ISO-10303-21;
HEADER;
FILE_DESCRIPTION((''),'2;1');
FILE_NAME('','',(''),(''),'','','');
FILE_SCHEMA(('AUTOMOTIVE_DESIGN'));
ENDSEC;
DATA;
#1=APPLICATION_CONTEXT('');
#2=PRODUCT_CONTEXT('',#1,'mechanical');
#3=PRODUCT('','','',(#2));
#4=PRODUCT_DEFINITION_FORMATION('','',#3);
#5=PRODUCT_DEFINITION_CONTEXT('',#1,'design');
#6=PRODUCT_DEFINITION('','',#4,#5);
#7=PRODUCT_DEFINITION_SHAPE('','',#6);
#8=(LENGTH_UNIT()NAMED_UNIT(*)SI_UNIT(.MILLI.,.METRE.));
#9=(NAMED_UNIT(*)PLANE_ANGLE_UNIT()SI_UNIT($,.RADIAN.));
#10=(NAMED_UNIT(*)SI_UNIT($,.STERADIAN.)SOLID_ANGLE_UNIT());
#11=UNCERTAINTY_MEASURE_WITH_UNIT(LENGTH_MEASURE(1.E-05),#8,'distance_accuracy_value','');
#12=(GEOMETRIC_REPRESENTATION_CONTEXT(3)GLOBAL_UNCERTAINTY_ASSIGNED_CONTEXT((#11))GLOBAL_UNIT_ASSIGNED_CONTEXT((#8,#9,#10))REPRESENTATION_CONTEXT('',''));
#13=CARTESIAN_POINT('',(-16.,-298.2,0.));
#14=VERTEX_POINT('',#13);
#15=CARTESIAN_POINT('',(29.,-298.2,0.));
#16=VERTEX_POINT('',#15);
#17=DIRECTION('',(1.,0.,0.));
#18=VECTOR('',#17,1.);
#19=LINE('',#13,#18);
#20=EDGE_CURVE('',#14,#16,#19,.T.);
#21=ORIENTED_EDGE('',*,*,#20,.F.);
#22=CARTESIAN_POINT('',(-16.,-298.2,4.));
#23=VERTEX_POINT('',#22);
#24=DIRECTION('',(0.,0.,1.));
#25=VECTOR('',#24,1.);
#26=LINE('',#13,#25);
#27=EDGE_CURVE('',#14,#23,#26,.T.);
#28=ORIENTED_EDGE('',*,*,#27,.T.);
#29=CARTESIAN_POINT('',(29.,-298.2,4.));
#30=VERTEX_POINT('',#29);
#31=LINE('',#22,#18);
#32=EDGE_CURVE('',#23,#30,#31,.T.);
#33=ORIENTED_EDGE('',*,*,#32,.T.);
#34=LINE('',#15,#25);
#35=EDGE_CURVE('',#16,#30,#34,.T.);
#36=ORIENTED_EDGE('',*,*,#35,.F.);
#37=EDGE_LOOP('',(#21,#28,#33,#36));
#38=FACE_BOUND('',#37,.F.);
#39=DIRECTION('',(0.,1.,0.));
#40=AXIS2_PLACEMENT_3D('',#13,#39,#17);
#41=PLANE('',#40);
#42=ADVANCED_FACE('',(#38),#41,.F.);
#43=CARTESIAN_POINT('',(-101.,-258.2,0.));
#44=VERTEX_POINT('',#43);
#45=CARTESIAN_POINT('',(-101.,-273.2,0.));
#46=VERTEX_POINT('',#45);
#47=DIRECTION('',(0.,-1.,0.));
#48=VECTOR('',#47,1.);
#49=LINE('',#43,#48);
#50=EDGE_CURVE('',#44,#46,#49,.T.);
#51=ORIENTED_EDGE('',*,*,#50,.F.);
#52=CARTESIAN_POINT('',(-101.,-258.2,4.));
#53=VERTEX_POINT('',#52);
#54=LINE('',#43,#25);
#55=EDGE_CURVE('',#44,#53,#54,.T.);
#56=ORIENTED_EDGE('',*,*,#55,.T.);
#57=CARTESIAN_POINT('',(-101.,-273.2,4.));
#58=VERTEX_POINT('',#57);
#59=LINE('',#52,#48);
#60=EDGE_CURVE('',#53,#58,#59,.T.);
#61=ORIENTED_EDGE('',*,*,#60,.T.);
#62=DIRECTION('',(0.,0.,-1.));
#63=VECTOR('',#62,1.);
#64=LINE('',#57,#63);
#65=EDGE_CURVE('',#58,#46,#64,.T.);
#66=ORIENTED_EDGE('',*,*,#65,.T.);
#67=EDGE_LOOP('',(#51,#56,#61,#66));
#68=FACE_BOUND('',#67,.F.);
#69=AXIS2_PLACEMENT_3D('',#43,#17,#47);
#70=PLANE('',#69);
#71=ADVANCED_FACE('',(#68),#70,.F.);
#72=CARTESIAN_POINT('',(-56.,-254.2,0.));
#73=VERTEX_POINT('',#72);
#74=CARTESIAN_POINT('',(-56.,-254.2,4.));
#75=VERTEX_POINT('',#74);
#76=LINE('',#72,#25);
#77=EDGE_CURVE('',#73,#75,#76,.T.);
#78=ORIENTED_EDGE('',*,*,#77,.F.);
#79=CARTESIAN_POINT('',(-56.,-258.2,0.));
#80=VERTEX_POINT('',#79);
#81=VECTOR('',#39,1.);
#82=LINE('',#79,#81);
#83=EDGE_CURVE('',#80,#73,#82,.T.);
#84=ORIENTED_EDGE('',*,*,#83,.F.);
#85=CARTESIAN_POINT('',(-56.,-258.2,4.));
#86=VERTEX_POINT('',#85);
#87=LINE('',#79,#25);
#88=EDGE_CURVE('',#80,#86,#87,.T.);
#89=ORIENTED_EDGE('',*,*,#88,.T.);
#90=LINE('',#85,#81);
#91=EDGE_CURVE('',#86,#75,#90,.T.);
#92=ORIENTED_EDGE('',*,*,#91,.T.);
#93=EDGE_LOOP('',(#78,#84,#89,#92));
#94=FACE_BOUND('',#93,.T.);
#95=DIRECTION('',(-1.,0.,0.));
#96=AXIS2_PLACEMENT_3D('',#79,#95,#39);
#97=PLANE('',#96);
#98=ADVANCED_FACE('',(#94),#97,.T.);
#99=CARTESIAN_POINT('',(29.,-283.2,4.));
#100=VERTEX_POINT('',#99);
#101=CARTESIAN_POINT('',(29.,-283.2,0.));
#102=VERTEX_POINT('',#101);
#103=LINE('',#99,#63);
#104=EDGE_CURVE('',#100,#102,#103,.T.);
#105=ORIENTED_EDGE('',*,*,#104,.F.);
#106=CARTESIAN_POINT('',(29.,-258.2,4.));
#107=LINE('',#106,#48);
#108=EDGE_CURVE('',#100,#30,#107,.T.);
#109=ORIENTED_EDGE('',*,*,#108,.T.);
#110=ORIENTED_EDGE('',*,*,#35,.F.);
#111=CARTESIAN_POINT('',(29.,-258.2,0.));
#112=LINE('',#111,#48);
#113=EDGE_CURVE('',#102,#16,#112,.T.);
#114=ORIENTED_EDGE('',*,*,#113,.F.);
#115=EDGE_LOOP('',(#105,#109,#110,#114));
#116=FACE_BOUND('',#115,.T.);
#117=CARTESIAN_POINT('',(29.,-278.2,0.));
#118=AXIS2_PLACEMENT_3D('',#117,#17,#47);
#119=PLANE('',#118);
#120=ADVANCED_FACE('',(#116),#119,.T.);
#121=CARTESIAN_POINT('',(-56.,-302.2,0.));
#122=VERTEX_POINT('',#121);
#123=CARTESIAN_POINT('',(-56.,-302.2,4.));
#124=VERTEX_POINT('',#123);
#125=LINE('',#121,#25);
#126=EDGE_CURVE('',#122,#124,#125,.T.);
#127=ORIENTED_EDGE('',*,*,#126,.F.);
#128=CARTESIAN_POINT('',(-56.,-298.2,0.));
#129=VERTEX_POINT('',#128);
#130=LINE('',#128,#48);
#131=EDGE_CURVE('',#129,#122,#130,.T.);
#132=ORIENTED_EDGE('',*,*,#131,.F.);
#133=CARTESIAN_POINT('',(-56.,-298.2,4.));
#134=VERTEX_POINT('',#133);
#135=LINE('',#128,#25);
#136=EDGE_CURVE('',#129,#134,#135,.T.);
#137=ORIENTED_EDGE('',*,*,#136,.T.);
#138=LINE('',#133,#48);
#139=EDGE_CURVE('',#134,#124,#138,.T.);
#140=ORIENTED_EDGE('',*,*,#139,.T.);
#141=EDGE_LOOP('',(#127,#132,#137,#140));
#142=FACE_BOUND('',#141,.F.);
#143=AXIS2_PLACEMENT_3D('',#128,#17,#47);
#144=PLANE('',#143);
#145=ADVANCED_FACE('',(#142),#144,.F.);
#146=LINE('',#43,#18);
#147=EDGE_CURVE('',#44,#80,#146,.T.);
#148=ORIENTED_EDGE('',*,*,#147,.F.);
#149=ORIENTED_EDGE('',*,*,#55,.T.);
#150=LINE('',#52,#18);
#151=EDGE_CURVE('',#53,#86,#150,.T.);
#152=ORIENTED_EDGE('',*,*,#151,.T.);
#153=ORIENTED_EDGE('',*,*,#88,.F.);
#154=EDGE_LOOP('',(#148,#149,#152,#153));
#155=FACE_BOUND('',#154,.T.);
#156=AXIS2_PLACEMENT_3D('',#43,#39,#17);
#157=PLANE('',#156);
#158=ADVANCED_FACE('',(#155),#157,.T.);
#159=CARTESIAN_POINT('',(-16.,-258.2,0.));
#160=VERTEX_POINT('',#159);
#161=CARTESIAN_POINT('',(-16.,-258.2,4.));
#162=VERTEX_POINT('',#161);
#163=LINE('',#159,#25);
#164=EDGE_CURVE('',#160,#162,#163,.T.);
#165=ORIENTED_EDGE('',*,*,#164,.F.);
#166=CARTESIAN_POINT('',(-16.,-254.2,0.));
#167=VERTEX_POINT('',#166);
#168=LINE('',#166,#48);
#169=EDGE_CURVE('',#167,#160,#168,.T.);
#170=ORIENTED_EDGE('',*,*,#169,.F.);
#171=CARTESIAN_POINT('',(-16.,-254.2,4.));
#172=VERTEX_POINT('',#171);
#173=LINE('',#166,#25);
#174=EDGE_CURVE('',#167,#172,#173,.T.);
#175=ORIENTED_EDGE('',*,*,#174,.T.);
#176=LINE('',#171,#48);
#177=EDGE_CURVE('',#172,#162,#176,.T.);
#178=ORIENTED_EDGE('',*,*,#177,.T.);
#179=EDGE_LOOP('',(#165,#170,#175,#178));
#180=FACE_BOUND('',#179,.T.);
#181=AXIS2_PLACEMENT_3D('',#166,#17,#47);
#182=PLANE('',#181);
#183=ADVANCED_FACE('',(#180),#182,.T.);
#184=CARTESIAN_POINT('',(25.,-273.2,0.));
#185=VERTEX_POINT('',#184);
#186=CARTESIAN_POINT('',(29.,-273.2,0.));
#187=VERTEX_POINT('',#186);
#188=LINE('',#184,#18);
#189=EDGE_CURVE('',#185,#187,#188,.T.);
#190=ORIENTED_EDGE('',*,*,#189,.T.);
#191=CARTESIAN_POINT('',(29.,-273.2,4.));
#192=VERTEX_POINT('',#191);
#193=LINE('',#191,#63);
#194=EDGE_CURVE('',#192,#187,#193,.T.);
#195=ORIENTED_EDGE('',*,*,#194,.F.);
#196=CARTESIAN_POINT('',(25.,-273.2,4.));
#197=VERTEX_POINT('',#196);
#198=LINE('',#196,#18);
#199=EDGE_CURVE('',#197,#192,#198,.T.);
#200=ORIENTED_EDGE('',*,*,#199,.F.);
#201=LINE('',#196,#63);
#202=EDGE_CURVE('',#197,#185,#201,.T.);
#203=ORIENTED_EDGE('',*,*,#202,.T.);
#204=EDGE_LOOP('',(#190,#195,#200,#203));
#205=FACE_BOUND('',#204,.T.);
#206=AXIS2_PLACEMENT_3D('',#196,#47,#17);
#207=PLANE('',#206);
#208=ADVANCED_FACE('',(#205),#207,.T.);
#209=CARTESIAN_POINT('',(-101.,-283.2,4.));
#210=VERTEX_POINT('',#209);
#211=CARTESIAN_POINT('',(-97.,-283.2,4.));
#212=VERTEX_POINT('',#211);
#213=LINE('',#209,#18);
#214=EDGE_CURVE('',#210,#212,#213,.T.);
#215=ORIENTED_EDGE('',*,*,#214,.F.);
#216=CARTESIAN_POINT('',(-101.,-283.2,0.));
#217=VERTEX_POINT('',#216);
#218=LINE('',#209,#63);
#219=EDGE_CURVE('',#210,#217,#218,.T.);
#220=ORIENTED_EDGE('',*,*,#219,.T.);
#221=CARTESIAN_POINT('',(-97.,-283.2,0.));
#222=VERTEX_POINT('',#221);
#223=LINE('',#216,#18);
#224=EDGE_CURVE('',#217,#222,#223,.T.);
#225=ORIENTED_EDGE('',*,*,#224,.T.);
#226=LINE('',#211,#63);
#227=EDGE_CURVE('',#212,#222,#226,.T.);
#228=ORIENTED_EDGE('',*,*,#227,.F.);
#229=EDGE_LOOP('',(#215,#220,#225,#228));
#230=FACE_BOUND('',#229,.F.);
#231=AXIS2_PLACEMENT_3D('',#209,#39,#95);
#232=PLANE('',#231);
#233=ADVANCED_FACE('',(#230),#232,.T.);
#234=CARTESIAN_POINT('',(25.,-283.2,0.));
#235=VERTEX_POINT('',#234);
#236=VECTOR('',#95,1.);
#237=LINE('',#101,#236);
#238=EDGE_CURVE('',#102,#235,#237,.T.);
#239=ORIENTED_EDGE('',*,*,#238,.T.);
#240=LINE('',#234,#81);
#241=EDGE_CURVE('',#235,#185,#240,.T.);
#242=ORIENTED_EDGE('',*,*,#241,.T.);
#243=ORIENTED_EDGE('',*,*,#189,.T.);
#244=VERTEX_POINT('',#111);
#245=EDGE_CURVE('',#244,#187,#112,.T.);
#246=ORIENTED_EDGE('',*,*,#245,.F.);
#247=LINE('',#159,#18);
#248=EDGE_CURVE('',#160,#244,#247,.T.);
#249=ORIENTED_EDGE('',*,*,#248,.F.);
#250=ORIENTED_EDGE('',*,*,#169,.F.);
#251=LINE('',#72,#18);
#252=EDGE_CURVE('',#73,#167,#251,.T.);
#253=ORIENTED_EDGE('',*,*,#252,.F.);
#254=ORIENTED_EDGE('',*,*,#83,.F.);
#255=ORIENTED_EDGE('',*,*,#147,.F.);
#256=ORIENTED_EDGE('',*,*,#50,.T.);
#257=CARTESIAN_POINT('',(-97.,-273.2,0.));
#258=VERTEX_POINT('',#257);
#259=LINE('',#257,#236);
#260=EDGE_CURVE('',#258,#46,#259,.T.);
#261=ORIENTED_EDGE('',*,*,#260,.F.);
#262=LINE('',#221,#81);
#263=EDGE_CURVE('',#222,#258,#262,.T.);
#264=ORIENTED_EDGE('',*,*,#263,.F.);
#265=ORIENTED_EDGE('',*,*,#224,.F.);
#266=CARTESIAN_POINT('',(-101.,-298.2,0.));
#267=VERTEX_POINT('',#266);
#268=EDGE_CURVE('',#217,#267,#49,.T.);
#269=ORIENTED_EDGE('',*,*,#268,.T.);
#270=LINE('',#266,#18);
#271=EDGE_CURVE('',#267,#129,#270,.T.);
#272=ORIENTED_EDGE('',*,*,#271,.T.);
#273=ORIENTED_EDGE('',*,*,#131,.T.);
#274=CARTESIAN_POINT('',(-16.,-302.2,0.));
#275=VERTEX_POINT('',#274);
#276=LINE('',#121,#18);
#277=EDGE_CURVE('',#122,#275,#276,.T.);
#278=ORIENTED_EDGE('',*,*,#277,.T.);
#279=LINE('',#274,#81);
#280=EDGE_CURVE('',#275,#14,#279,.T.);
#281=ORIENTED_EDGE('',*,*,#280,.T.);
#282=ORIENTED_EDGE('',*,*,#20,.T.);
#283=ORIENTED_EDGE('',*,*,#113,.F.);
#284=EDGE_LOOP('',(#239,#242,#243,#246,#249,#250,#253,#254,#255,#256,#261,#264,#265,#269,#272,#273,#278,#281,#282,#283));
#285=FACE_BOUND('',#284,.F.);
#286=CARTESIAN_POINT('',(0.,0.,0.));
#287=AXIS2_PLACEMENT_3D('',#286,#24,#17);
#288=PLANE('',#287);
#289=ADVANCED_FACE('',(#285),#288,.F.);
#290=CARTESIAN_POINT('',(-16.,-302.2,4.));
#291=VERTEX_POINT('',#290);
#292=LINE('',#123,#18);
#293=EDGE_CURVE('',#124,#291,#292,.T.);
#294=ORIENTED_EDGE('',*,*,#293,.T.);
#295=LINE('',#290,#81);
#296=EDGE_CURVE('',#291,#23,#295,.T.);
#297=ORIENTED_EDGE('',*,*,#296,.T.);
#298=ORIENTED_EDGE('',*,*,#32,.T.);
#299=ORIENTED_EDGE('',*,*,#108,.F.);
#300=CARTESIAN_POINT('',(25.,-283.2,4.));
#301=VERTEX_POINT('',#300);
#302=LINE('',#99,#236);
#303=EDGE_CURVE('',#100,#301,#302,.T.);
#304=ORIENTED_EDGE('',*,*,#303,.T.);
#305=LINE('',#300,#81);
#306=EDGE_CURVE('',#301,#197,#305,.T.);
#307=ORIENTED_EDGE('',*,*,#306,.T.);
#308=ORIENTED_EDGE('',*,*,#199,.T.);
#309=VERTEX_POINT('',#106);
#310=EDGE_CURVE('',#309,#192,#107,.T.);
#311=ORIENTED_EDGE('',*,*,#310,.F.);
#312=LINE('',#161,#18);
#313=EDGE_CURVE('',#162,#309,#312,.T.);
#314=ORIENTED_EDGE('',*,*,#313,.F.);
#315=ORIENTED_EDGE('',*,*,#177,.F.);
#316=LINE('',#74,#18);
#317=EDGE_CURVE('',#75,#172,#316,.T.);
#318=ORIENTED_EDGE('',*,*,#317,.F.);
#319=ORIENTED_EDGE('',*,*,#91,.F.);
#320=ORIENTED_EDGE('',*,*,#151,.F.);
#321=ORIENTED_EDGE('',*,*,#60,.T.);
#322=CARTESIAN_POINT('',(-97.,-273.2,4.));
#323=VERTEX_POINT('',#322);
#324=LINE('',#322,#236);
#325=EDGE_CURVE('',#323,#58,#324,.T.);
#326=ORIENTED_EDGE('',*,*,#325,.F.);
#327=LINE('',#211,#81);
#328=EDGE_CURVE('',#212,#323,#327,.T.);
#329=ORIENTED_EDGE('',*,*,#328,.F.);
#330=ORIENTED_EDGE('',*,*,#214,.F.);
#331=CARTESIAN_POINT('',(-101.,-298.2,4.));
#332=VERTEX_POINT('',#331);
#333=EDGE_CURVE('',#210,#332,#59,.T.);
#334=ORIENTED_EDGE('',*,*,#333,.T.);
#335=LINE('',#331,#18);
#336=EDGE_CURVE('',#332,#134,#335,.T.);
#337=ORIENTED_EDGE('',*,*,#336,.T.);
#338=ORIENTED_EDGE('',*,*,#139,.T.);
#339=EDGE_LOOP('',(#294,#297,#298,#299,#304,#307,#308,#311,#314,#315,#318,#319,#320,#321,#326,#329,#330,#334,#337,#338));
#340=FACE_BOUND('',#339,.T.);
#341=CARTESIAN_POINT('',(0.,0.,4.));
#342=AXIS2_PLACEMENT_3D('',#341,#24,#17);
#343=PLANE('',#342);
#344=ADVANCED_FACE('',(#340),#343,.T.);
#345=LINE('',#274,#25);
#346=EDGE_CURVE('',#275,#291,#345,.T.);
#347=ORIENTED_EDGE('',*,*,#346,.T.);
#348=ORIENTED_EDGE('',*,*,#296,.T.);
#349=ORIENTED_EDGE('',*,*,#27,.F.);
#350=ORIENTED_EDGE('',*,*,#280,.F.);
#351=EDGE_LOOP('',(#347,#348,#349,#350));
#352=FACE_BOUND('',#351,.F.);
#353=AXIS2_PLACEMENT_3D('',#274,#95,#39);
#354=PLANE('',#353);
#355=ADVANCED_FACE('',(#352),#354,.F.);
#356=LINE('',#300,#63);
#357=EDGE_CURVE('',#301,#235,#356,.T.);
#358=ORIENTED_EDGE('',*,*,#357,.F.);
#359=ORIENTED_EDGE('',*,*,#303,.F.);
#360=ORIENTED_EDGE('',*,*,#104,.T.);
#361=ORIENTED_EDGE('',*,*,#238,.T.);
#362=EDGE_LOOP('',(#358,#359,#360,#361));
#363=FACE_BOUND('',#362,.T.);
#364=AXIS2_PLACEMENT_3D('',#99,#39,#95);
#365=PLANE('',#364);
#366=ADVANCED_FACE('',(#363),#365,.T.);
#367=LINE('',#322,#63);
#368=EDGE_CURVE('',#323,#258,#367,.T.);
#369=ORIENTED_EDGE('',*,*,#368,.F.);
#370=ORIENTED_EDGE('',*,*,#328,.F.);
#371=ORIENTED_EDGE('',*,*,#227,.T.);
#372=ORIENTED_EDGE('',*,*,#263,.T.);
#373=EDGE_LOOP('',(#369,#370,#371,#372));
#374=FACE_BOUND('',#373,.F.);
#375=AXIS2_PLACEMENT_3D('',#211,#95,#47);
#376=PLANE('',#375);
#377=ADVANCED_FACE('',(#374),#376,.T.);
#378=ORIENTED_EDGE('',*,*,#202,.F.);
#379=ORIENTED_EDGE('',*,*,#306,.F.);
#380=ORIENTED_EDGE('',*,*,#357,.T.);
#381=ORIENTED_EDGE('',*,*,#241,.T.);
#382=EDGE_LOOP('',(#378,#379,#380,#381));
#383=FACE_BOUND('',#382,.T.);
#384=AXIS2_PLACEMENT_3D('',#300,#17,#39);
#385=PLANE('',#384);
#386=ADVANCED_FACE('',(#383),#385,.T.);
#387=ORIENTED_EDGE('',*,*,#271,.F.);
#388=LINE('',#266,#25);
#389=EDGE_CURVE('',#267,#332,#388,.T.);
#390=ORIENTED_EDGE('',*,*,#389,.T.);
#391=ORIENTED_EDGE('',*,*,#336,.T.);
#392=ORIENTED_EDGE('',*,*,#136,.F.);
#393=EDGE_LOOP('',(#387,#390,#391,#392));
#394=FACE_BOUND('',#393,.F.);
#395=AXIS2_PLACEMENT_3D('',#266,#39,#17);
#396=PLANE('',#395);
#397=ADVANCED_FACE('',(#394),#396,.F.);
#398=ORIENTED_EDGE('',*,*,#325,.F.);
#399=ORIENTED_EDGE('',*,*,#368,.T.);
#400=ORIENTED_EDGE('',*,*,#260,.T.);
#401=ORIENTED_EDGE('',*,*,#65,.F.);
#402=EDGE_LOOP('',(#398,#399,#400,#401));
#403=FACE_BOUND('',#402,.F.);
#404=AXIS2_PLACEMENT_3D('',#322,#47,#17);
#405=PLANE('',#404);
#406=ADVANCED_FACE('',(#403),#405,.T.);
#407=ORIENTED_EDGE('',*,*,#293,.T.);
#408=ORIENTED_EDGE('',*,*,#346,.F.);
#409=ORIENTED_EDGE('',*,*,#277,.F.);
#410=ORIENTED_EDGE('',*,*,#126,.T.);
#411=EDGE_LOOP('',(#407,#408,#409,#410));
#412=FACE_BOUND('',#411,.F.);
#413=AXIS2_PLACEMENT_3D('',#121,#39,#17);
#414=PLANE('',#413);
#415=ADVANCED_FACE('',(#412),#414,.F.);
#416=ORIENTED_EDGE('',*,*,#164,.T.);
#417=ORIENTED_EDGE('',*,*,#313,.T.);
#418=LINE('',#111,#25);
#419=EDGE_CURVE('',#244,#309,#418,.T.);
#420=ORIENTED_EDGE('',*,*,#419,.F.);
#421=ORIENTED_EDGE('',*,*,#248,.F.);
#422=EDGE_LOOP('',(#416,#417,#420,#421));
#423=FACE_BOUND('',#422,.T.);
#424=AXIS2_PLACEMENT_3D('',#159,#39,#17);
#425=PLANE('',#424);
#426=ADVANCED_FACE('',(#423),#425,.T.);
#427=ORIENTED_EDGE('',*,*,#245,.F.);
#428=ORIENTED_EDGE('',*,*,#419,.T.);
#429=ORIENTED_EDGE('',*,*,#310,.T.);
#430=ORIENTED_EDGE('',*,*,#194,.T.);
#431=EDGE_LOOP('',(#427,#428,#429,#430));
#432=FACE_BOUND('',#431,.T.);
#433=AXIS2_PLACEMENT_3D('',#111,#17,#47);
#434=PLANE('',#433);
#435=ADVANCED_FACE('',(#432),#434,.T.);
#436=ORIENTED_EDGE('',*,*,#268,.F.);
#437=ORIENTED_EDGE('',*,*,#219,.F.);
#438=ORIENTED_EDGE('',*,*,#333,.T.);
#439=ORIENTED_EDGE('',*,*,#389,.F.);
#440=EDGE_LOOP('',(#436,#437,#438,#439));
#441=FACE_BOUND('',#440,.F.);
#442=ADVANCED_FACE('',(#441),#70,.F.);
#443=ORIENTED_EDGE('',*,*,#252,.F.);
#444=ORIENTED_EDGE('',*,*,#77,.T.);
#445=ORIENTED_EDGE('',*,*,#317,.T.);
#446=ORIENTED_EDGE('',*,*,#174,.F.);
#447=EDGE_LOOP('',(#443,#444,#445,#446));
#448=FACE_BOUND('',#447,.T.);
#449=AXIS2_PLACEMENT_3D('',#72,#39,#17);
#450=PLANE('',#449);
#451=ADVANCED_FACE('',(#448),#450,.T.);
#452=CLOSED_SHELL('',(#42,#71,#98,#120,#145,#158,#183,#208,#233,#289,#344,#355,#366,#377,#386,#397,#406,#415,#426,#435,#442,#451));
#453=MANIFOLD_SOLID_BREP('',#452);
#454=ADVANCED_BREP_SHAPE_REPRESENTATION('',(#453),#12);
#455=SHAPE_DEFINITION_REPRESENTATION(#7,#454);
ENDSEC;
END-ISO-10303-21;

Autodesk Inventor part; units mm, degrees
ref_plane "YZ Plane" through (0, 0, 0) normal (1, 0, 0) x (0, 1, 0)
ref_plane "XZ Plane" through (0, 0, 0) normal (0, 1, 0) x (-1, 0, 0)
sketch "Sketch1" plane through (0, 0, 0) normal (0, 0, 1) x (1, 0, 0)
  line L0 (-101, -254.2) -> (-101, -258.2)
  line L1 (-101, -258.2) -> (-56, -258.2)
  line L2 (-56, -258.2) -> (-56, -254.2)
  line L3 (-56, -254.2) -> (-16, -254.2)
  line L4 (-16, -254.2) -> (-16, -258.2)
  line L5 (-16, -258.2) -> (29, -258.2)
  line L6 (29, -258.2) -> (29, -254.2)
  line L7 (-101, -258.2) -> (-101, -298.2)
  line L8 (29, -258.2) -> (29, -298.2)
  line L9 (29, -278.2) -> (70.7342, -278.2)
  line L10 (-56, -298.2) -> (-56, -302.2)
  line L11 (-56, -302.2) -> (-16, -302.2)
  line L12 (-16, -302.2) -> (-16, -298.2)
  line L13 (-101, -298.2) -> (-56, -298.2)
  line L14 (-16, -298.2) -> (29, -298.2)
  point P0 (0, 0)
  dimension "d0" = 40
  dimension "d1" = 40
  dimension "d2" = 130
extrude "Extrusion1" add sketch "Sketch1" along normal blind 4
sketch "Sketch2" plane through (0, 0, 4) normal (0, 0, 1) x (1, 0, 0)
  line L0 (-56, -258.2) -> (-101, -258.2) projected
  line L1 (-101, -258.2) -> (-101, -298.2) projected
  line L2 (-101, -298.2) -> (-56, -298.2) projected
  line L3 (-56, -298.2) -> (-56, -302.2) projected
  line L4 (-56, -302.2) -> (-16, -302.2) projected
  line L5 (-16, -302.2) -> (-16, -298.2) projected
  line L6 (-16, -298.2) -> (29, -298.2) projected
  line L7 (29, -298.2) -> (29, -258.2) projected
  line L8 (29, -258.2) -> (-16, -258.2) projected
  line L9 (-16, -258.2) -> (-16, -254.2) projected
  line L10 (-16, -254.2) -> (-56, -254.2) projected
  line L11 (-56, -254.2) -> (-56, -258.2) projected
  line L12 (25, -273.2) -> (29, -273.2)
  line L13 (29, -273.2) -> (29, -283.2)
  line L14 (29, -283.2) -> (25, -283.2)
  line L15 (25, -283.2) -> (25, -273.2)
  point P0 (0, 0)
  point P1 (29, -278.2)
  dimension "d5" = 4
  dimension "d6" = 10
extrude "Extrusion2" cut sketch "Sketch2" against normal blind 4 contours L7 L14 L15 L12
ref_plane "Work Plane1" through (-36, -258.2, 4) normal (1, 0, 0) x (0, 0, -1)
mirror "Mirror1" about plane through (-36, -258.2, 4) normal (1, 0, 0) of "Extrusion2"
properties part number "F4"
